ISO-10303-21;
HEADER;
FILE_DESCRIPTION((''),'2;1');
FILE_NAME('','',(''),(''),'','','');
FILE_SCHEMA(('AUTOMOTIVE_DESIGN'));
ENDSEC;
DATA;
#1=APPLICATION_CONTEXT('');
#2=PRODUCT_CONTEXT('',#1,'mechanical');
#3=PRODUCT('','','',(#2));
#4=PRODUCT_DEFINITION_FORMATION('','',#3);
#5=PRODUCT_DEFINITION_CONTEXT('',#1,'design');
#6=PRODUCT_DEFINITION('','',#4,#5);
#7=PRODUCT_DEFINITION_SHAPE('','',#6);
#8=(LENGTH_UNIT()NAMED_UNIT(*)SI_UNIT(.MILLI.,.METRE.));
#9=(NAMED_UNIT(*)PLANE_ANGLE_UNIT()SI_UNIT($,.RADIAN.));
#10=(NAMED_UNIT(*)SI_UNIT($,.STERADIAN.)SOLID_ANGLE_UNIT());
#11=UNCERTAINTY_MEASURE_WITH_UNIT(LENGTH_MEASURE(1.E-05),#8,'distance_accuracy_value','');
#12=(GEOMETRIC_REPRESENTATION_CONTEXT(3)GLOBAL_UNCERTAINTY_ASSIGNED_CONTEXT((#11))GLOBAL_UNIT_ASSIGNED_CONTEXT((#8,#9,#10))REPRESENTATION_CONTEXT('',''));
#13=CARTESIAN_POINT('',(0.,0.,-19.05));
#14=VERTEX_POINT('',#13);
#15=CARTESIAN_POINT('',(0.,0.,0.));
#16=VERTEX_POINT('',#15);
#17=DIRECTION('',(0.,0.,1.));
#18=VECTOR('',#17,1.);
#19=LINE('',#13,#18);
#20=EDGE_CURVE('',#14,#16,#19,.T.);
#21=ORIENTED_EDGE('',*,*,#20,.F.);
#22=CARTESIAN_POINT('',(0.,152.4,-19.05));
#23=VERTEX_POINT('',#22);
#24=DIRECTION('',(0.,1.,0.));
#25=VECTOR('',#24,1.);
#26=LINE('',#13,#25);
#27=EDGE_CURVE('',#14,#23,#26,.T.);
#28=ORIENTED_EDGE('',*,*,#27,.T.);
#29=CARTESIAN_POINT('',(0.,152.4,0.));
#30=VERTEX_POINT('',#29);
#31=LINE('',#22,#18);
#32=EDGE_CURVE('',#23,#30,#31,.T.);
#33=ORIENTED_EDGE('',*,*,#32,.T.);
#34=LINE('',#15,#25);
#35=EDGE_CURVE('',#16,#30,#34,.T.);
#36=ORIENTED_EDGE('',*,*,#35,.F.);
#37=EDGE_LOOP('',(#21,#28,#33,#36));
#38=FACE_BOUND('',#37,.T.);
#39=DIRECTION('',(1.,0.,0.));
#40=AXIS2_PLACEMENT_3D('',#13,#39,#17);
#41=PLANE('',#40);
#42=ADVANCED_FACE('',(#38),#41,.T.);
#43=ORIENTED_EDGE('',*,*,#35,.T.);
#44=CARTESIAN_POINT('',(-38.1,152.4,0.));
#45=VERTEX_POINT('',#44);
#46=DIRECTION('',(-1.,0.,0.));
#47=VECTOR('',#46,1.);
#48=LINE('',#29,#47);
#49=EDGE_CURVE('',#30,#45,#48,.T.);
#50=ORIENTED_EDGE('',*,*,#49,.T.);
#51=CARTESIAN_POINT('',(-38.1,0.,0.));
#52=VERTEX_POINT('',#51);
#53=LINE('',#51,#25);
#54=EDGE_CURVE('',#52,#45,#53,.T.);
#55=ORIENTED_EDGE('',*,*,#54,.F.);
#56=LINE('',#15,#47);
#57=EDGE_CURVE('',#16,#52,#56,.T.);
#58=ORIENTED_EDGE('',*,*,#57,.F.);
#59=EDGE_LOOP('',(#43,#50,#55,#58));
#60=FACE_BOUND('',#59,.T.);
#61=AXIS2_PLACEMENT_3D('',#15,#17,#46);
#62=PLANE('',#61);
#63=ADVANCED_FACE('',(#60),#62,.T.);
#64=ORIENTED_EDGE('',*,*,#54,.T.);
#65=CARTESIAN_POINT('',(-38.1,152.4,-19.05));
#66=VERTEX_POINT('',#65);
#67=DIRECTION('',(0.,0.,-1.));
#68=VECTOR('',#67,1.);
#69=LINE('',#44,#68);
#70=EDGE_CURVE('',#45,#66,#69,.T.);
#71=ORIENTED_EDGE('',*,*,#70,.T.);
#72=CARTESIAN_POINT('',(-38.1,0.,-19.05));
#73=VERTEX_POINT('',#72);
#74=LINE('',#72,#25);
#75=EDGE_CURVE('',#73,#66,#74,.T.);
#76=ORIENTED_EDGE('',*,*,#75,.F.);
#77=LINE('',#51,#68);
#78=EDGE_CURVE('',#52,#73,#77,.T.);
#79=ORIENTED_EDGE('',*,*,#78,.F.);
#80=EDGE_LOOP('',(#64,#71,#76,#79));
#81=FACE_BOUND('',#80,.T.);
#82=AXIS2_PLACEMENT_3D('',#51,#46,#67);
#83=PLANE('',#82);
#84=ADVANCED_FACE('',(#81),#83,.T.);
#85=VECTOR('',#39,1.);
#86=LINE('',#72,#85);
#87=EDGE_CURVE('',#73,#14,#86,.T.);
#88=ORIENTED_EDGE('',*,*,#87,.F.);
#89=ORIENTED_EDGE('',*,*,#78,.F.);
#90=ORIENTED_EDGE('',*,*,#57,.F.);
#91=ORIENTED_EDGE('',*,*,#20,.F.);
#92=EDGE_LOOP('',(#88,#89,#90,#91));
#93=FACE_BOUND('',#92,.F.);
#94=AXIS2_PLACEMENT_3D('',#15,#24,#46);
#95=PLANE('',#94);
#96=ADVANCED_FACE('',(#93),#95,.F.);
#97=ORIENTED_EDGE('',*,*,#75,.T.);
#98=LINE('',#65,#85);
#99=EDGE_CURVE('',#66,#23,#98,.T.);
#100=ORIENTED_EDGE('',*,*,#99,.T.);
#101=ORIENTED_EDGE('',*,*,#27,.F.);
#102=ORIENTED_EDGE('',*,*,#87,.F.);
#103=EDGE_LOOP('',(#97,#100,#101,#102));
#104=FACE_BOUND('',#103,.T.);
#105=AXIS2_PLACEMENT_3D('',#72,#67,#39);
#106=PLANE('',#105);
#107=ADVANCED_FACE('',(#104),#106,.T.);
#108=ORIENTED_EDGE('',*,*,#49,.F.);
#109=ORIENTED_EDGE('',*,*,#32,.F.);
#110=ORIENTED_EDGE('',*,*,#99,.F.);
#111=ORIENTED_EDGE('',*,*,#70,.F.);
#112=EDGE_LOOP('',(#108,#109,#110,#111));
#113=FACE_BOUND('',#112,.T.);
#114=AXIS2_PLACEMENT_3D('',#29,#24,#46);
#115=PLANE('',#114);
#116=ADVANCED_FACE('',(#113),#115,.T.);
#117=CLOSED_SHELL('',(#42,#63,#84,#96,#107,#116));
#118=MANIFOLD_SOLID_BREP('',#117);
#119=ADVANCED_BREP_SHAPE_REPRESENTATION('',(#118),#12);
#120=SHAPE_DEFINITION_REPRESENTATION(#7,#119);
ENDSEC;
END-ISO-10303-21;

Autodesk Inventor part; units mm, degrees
ref_plane "YZ Plane" through (0, 0, 0) normal (1, 0, 0) x (0, 1, 0)
ref_plane "XZ Plane" through (0, 0, 0) normal (0, 1, 0) x (-1, 0, 0)
ref_plane "XY Plane" through (0, 0, 0) normal (0, 0, 1) x (1, 0, 0)
sketch "Sketch1" plane through (0, 0, 0) normal (0, 1, 0) x (-1, 0, 0)
  line L0 (0, 0) -> (38.1, 0)
  line L1 (38.1, 0) -> (38.1, -19.05)
  line L2 (38.1, -19.05) -> (0, -19.05)
  line L3 (0, -19.05) -> (0, 0)
  dimension "d0" = 38.1
  dimension "d1" = 19.05
extrude "Extrusion1" add sketch "Sketch1" along normal blind 152.4
properties part number "sideStage13Frame" material "Wood (Birch)"
